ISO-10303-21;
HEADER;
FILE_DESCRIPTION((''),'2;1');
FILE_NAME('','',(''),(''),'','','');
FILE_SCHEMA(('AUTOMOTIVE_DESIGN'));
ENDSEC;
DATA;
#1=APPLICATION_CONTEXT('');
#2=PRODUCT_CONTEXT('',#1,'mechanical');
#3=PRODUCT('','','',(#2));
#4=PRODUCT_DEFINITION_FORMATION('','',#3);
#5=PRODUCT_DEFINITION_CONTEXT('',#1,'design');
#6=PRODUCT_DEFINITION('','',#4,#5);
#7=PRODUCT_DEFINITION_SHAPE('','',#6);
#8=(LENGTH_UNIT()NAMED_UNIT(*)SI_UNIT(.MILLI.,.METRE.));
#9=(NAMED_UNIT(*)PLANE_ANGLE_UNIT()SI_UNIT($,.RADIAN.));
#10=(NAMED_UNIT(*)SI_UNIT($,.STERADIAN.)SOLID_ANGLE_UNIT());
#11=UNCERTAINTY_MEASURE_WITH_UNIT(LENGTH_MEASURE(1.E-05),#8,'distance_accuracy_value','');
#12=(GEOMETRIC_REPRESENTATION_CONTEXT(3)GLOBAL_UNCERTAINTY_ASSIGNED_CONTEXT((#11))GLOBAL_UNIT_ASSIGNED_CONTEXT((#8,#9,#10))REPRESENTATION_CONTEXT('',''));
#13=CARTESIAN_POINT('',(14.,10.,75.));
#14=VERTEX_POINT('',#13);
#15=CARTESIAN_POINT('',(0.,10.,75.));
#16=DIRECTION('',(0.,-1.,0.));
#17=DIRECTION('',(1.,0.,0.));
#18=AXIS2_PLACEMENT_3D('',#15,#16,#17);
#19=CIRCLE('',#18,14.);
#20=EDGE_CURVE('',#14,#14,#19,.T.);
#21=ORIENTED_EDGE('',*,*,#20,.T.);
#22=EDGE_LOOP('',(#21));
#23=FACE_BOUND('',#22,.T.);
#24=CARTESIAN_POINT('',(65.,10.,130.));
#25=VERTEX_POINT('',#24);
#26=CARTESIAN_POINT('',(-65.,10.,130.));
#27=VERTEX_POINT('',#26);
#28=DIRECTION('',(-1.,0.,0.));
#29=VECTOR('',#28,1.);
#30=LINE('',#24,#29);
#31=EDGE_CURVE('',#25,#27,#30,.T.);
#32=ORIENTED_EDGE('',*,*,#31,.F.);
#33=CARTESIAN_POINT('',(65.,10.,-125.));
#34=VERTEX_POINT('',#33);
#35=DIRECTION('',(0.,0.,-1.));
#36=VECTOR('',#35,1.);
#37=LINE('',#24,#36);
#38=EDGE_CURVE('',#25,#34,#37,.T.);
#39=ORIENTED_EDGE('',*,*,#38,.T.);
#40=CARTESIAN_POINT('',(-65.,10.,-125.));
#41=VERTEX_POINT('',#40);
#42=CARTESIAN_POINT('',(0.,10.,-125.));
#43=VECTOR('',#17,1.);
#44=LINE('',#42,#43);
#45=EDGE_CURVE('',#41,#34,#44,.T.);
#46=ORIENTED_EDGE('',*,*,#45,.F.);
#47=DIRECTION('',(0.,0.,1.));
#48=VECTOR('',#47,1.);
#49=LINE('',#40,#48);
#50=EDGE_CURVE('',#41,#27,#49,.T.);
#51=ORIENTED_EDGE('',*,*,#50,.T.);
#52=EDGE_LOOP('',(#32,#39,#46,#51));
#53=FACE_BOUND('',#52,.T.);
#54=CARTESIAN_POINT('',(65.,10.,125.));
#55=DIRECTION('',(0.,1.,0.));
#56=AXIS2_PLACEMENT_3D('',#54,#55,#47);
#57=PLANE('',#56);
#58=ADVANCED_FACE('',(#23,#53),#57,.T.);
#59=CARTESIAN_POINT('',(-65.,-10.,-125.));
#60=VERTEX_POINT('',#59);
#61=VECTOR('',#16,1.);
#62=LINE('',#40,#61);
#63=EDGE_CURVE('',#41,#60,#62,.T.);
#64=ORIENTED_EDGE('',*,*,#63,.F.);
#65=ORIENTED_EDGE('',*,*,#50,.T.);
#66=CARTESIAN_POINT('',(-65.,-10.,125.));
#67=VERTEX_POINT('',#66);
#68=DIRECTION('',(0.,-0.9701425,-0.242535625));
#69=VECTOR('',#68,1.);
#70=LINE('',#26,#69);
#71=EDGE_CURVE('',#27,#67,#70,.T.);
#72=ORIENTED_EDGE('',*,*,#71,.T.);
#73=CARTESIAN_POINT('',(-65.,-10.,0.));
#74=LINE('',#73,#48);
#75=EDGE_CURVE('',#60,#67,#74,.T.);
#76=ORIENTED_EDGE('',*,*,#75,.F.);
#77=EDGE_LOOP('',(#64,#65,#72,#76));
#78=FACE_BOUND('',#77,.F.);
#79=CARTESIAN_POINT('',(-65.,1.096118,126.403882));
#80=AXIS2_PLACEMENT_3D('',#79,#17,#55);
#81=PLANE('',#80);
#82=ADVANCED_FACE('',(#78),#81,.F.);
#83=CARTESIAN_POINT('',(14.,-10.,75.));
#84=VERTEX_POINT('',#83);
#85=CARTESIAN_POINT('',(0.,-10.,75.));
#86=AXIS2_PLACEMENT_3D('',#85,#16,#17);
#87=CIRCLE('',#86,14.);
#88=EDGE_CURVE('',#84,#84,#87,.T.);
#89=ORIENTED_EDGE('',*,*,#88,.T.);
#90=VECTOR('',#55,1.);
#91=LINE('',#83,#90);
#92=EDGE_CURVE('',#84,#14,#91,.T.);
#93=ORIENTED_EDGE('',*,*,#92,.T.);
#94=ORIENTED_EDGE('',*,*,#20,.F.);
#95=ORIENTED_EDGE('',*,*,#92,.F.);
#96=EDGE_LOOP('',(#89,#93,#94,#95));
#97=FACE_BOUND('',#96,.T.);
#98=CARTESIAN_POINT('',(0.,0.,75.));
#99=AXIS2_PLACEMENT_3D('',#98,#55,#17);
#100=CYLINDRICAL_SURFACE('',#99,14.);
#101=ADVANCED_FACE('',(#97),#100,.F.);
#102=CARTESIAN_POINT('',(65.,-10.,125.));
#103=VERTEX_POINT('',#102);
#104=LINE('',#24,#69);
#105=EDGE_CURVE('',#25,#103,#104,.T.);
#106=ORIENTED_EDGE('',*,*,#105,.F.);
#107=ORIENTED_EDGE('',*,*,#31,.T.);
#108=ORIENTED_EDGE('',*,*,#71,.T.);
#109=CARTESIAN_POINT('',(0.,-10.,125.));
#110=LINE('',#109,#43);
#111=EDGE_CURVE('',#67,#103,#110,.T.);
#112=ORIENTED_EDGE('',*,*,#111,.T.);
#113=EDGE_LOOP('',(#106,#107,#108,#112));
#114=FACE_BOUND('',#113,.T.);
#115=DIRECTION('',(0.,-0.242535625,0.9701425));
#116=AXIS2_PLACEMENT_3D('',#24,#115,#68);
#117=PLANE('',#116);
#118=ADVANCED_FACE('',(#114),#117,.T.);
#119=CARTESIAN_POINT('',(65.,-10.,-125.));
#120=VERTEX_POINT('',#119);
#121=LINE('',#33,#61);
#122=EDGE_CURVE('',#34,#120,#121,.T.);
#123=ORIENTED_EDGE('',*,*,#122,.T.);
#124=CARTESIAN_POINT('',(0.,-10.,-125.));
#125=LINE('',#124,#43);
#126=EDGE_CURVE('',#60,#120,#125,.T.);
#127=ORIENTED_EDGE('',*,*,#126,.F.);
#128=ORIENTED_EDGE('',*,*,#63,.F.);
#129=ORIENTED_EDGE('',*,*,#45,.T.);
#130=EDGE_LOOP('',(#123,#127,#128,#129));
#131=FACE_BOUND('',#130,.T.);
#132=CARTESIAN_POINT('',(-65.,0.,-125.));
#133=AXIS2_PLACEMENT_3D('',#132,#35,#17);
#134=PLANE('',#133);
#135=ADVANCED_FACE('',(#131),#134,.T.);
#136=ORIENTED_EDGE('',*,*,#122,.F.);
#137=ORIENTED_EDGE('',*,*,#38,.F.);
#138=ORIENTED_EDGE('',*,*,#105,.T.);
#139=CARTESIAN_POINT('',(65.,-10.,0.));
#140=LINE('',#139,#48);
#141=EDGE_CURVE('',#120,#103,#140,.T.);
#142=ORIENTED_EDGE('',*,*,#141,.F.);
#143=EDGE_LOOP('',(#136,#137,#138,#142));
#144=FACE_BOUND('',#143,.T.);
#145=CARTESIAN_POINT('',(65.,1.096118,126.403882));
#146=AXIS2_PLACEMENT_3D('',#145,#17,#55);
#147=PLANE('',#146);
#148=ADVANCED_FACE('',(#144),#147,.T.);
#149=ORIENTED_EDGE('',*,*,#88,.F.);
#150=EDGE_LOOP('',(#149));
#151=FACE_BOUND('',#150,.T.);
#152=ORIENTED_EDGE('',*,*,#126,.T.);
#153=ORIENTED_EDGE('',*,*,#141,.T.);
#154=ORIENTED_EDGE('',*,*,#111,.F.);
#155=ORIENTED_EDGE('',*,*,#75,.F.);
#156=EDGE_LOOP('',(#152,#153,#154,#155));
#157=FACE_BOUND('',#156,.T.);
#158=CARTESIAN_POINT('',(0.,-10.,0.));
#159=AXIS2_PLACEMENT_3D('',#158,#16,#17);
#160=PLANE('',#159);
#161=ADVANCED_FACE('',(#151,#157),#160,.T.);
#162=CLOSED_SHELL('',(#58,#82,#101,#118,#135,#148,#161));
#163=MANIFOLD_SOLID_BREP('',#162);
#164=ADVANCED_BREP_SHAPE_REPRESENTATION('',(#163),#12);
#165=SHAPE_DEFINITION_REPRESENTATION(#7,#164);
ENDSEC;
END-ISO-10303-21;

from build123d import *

# Parameters (mm, degrees)
F0_W     = 130
F0_H     = 250
F0_R     = 14
F1_DEPTH = 10
F5_DEPTH = 130


with BuildPart() as f1:
    # F0 (on Front) → F1 (new body, symmetric)
    with BuildSketch(Plane.XZ):
        Rectangle(F0_W, F0_H)
        with Locations((0, 75)):
            Circle(F0_R, mode=Mode.SUBTRACT)
    extrude(amount=F1_DEPTH, both=True)

    # F4 (on face) → F5 (join)
    with BuildSketch(Plane.YZ.offset(65)):
        Polygon((-10, 125), (10, 125), (10, 130), align=None)
    extrude(amount=-F5_DEPTH)


solid = f1.part
